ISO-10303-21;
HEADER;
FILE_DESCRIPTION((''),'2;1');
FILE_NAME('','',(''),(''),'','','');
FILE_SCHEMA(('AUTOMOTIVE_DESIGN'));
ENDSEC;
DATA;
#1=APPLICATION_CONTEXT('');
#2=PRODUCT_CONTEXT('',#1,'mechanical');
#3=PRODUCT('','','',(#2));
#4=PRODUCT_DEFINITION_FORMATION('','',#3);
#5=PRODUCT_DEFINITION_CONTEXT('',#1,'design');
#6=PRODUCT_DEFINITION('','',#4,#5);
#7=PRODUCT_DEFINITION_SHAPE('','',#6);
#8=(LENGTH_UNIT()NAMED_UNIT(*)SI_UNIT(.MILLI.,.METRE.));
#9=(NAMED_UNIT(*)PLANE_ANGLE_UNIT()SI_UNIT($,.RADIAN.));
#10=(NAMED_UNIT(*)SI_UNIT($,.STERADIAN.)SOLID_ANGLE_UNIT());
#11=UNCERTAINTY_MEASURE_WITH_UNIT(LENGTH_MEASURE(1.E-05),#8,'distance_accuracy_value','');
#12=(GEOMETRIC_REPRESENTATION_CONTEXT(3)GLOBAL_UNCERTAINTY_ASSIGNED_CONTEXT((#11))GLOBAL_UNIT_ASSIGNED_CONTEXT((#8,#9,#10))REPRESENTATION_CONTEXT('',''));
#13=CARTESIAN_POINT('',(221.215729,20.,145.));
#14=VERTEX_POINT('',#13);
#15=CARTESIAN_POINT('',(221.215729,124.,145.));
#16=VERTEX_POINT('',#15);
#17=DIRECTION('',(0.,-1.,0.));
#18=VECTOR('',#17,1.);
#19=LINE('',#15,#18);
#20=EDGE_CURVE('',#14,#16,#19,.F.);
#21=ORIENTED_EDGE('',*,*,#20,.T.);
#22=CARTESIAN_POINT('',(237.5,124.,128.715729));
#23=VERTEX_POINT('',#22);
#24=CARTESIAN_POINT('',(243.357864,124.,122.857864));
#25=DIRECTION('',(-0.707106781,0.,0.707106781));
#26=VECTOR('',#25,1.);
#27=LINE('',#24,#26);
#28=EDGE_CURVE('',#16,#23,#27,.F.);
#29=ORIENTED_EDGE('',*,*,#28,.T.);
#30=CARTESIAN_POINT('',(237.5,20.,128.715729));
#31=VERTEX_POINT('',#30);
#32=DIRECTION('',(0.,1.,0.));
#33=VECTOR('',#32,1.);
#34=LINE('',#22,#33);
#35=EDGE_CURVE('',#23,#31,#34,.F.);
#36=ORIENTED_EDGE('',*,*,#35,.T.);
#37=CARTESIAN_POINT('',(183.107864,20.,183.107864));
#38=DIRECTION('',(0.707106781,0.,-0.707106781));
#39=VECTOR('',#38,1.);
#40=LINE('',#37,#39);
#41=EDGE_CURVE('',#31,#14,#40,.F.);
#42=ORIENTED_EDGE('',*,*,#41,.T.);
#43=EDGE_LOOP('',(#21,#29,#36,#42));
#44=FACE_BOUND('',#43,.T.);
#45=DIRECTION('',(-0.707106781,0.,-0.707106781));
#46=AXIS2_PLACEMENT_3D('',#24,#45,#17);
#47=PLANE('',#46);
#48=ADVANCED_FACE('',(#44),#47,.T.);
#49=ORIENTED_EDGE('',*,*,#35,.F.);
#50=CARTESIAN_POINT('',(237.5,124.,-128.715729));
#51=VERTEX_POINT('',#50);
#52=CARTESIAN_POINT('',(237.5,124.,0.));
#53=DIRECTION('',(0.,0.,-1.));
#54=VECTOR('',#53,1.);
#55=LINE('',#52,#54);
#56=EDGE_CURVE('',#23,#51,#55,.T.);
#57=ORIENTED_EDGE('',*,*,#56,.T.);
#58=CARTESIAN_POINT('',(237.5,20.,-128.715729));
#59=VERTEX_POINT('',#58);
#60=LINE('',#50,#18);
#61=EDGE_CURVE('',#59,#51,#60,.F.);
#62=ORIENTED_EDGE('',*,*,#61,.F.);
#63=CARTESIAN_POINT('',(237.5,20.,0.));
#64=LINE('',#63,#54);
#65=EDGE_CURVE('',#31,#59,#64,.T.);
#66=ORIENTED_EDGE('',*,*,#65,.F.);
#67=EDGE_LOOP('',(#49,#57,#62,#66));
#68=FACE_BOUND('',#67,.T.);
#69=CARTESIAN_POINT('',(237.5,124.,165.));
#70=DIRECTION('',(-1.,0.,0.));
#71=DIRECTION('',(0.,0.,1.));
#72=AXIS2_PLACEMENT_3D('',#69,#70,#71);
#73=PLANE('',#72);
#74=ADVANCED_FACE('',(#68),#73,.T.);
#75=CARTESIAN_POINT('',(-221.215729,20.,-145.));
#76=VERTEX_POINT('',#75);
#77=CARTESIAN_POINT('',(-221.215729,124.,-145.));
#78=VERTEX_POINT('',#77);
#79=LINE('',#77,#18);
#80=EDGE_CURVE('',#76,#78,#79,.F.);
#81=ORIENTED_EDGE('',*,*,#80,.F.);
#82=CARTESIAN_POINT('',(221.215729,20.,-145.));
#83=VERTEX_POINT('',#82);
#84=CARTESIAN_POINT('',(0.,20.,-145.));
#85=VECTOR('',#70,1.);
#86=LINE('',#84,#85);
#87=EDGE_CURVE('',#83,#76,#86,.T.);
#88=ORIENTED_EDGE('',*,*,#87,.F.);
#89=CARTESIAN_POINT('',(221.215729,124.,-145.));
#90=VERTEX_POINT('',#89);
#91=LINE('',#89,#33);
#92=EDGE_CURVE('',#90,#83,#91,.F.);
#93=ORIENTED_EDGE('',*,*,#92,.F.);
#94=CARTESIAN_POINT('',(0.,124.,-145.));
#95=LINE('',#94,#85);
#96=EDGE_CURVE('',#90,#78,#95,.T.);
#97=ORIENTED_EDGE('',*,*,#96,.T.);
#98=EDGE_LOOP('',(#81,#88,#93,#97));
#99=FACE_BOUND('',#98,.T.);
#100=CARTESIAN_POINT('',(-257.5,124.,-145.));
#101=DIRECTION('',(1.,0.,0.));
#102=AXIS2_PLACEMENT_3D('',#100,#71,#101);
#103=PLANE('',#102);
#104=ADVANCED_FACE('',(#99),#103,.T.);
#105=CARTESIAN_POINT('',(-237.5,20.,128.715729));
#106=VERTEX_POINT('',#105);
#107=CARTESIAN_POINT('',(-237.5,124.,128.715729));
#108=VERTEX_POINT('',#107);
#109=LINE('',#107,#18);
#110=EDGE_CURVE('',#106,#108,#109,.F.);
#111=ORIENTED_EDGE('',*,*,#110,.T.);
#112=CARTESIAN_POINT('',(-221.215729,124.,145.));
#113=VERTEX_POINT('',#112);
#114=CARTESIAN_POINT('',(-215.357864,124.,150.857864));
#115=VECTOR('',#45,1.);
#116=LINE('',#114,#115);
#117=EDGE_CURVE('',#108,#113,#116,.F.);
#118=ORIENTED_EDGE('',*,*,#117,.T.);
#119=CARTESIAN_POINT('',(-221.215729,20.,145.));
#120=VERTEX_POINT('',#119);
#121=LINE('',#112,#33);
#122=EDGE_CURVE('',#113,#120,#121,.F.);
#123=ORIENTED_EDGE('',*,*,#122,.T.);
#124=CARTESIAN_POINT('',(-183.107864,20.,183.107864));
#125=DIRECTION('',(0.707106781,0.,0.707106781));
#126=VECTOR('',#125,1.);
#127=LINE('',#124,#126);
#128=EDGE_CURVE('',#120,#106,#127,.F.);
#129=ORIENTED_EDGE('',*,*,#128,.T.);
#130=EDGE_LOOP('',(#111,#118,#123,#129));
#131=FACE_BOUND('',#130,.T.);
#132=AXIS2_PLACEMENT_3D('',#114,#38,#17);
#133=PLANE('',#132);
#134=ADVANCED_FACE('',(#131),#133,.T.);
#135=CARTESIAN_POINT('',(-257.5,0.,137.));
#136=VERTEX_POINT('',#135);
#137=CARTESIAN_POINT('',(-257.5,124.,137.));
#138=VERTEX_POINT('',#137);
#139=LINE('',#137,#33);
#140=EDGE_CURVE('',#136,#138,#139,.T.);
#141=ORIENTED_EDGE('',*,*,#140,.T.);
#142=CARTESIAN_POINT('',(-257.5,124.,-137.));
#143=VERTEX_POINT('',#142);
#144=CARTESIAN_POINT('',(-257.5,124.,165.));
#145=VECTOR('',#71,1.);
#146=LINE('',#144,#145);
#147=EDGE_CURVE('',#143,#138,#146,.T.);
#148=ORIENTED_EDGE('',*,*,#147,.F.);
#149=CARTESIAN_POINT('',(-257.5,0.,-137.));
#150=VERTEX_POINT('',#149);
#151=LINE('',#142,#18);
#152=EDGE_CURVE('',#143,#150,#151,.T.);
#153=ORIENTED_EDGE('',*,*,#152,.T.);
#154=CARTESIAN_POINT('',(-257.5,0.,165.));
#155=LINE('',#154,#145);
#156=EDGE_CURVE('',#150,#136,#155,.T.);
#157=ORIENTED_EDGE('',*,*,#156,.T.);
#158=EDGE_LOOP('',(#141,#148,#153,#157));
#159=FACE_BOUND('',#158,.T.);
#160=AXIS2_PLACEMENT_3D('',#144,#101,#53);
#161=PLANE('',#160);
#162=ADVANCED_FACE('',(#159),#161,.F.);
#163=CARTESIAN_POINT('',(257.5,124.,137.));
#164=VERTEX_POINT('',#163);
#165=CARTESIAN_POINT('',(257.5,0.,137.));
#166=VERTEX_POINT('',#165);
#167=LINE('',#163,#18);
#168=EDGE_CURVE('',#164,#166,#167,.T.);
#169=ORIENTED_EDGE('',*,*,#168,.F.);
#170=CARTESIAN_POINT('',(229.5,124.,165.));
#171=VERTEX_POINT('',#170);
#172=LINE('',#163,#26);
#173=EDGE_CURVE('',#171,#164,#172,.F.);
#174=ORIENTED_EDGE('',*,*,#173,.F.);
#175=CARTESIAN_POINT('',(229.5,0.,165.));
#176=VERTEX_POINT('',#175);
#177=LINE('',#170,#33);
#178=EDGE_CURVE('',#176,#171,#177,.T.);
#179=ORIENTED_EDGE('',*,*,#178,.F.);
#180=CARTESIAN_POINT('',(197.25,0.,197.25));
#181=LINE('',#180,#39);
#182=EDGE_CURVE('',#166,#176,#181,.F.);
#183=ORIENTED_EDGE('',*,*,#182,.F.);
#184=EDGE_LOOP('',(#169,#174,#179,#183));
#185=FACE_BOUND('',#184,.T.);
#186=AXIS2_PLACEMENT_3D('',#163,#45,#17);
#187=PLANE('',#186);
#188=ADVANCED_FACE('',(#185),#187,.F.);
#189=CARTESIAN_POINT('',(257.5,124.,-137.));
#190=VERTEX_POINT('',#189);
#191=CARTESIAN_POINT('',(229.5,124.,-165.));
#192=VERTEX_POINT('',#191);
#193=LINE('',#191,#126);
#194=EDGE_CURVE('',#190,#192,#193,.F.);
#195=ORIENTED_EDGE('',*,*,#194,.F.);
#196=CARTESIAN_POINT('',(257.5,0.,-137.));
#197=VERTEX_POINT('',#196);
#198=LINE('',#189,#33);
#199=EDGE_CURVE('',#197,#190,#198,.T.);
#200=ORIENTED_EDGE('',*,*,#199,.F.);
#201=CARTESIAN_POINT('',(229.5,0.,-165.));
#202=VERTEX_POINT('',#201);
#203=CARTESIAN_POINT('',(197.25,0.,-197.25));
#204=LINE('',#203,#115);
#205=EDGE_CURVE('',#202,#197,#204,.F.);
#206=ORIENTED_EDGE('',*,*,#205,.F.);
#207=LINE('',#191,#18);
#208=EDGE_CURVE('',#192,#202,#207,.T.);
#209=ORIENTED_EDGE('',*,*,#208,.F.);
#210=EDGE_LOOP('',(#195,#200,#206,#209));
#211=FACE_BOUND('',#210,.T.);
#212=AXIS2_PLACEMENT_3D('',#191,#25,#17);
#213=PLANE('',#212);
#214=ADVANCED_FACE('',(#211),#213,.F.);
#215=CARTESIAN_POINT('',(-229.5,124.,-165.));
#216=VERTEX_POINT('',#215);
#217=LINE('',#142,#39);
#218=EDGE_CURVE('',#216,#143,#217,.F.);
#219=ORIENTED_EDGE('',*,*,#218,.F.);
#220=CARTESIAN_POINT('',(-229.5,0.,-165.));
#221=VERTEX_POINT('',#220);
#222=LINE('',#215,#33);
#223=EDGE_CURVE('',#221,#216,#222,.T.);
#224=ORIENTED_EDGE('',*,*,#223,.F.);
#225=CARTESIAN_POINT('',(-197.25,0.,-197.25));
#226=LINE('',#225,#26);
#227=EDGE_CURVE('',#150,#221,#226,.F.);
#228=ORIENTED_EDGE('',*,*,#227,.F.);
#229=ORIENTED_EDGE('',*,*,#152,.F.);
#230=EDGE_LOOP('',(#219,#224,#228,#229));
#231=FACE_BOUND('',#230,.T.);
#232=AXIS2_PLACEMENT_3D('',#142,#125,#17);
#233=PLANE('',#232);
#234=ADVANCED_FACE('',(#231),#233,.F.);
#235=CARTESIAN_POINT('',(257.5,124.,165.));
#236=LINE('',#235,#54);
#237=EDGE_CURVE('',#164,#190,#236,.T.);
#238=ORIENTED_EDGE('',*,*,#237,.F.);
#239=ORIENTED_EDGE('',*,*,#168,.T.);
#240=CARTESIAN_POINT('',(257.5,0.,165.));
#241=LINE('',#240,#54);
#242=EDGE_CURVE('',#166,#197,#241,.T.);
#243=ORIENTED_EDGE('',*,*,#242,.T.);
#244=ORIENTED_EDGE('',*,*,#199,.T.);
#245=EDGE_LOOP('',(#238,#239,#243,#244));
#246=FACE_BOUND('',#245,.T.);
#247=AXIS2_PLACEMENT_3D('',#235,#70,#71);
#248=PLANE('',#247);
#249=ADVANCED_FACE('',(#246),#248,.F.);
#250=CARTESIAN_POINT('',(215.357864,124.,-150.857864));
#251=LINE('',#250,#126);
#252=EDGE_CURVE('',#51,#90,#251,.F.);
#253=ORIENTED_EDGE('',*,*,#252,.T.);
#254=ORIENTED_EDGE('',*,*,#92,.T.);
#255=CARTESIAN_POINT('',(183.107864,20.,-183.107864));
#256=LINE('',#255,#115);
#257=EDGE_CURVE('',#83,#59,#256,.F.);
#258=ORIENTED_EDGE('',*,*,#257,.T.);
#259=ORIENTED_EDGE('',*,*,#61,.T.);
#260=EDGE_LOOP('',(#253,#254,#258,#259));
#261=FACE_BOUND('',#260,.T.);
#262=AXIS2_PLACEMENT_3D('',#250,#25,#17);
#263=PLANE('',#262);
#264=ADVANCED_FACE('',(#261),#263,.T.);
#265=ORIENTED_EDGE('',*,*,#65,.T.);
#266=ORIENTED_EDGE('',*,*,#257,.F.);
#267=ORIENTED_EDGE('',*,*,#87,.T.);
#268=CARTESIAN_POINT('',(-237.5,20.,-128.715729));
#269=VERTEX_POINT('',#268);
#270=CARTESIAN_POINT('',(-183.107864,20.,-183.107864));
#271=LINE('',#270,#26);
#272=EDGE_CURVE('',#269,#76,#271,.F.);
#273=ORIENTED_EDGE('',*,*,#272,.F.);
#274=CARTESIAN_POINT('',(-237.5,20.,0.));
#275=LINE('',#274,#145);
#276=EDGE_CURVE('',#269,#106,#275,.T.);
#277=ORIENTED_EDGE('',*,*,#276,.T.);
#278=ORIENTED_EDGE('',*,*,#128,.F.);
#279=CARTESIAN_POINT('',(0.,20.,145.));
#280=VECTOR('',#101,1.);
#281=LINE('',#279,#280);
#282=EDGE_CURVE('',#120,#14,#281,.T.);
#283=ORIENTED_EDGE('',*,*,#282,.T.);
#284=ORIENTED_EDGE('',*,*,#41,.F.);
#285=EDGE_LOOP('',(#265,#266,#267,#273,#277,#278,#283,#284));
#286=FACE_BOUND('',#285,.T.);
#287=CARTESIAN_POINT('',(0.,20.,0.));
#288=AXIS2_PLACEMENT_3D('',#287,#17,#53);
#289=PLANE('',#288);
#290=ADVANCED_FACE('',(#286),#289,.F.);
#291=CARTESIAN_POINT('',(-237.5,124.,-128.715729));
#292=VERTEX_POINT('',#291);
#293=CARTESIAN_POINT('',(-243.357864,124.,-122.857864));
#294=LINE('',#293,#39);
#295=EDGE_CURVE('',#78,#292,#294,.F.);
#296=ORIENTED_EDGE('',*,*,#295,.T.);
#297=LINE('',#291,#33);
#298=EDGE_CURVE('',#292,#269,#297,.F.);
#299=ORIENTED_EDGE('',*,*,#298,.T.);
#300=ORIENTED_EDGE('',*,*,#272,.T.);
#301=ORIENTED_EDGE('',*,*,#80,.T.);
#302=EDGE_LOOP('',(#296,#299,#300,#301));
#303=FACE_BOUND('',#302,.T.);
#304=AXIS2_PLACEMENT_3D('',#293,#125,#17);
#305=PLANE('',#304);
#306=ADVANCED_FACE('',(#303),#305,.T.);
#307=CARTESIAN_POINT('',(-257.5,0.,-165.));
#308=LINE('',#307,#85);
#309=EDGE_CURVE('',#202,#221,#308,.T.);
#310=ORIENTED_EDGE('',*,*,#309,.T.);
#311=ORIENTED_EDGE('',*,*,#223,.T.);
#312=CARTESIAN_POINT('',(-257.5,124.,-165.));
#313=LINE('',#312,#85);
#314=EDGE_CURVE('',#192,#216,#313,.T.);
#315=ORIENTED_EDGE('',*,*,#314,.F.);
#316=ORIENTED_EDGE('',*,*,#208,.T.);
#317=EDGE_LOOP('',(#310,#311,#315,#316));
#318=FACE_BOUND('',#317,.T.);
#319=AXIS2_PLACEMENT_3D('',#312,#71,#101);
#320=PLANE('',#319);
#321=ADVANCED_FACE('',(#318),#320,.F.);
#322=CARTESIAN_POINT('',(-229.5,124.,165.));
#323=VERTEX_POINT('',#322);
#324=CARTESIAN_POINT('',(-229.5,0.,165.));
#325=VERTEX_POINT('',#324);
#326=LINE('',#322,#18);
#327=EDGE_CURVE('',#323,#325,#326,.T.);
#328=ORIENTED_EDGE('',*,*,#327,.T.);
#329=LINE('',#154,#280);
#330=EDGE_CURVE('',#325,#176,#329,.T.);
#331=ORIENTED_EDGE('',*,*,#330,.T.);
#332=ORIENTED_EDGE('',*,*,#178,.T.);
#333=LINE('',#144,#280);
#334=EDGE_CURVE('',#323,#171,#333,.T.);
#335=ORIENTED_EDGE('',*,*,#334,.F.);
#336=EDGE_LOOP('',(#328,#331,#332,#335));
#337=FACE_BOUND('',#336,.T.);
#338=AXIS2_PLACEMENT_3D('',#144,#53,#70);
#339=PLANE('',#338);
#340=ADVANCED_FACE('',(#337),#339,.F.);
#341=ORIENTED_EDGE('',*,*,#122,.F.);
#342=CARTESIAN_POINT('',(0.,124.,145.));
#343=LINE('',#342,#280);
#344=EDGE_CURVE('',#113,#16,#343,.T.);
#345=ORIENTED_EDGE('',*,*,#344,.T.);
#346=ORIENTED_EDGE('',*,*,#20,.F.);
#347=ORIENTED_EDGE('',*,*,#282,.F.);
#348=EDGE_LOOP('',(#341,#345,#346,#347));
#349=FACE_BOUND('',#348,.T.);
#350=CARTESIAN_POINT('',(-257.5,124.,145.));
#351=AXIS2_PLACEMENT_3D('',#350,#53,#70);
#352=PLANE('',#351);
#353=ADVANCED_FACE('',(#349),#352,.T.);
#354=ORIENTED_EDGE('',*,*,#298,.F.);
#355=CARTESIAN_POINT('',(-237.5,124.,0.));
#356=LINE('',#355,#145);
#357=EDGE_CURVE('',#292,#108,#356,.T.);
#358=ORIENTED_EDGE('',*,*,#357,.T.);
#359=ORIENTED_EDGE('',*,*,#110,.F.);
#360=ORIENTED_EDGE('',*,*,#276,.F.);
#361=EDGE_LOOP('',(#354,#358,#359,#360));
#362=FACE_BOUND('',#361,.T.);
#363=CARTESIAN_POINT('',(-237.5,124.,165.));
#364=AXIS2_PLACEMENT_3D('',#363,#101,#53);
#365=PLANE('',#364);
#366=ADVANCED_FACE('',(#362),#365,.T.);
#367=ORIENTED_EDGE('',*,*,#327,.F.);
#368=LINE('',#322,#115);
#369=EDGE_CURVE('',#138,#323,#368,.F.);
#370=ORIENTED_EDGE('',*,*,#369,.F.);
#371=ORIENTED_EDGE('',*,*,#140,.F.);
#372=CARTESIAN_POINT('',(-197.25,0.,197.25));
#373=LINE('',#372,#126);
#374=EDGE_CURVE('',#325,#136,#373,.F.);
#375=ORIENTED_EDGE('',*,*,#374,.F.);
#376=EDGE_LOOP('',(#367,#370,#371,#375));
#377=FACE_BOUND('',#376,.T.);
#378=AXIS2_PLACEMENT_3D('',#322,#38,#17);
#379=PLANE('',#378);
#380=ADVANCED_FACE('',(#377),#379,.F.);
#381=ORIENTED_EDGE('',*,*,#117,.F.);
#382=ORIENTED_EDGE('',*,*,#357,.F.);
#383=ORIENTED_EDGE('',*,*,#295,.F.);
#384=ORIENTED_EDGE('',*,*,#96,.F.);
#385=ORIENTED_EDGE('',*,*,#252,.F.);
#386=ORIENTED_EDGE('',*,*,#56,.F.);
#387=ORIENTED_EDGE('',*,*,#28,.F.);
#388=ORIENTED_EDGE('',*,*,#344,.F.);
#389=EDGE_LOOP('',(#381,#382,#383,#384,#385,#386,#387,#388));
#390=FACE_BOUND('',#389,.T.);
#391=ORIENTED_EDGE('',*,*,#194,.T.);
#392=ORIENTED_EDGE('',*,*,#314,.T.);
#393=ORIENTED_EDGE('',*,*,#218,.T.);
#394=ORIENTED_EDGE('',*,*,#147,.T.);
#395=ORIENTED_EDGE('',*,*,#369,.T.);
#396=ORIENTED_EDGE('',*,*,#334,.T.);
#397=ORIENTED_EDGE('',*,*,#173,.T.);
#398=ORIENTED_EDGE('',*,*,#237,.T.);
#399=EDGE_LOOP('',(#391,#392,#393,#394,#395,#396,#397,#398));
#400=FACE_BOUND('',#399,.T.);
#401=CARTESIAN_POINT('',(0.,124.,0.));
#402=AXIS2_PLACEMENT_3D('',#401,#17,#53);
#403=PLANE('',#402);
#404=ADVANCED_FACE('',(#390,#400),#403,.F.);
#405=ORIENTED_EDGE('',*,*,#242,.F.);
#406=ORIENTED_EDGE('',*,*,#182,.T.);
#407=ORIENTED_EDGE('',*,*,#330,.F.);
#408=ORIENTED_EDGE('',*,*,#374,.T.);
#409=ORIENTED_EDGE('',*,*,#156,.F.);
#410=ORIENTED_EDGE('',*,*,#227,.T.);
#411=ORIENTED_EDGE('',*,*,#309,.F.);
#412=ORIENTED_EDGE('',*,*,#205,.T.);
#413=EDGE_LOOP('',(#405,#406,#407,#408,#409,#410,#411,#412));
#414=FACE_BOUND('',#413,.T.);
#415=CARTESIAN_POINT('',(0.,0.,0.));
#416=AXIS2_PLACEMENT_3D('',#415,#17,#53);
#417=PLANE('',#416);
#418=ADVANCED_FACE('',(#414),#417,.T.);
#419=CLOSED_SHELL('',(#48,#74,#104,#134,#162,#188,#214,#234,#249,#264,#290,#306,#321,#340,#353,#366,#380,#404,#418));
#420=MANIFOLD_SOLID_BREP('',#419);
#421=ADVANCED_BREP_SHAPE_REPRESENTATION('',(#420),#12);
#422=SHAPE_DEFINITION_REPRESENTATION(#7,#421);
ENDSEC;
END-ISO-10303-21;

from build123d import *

# Parameters (mm, degrees)
SKETCH1_W           = 515
SKETCH1_H           = 330
BOSS_EXTRUDE1_DEPTH = 124
CHAMFER1_SIZE       = 28
SHELL1_T            = -20


with BuildPart() as part:
    # Sketch1 → Boss-Extrude1 (new body)
    with BuildSketch(Plane(origin=(0, 0, 0), x_dir=(1, 0, 0), z_dir=(0, 1, 0))):
        Rectangle(SKETCH1_W, SKETCH1_H)
    extrude(amount=BOSS_EXTRUDE1_DEPTH)

    # Chamfer1
    chamfer1_edges = [part.edges().sort_by_distance(p)[0] for p in [
        (257.5, 62, 165),
        (-257.5, 62, 165),
        (-257.5, 62, -165),
        (257.5, 62, -165),
    ]]
    chamfer(chamfer1_edges, length=CHAMFER1_SIZE)

    # Shell1
    shell1_openings = [part.faces().sort_by_distance(p)[0] for p in [
        (0, 124, 0),
    ]]
    offset(amount=SHELL1_T, openings=shell1_openings, kind=Kind.INTERSECTION)


solid = part.part
